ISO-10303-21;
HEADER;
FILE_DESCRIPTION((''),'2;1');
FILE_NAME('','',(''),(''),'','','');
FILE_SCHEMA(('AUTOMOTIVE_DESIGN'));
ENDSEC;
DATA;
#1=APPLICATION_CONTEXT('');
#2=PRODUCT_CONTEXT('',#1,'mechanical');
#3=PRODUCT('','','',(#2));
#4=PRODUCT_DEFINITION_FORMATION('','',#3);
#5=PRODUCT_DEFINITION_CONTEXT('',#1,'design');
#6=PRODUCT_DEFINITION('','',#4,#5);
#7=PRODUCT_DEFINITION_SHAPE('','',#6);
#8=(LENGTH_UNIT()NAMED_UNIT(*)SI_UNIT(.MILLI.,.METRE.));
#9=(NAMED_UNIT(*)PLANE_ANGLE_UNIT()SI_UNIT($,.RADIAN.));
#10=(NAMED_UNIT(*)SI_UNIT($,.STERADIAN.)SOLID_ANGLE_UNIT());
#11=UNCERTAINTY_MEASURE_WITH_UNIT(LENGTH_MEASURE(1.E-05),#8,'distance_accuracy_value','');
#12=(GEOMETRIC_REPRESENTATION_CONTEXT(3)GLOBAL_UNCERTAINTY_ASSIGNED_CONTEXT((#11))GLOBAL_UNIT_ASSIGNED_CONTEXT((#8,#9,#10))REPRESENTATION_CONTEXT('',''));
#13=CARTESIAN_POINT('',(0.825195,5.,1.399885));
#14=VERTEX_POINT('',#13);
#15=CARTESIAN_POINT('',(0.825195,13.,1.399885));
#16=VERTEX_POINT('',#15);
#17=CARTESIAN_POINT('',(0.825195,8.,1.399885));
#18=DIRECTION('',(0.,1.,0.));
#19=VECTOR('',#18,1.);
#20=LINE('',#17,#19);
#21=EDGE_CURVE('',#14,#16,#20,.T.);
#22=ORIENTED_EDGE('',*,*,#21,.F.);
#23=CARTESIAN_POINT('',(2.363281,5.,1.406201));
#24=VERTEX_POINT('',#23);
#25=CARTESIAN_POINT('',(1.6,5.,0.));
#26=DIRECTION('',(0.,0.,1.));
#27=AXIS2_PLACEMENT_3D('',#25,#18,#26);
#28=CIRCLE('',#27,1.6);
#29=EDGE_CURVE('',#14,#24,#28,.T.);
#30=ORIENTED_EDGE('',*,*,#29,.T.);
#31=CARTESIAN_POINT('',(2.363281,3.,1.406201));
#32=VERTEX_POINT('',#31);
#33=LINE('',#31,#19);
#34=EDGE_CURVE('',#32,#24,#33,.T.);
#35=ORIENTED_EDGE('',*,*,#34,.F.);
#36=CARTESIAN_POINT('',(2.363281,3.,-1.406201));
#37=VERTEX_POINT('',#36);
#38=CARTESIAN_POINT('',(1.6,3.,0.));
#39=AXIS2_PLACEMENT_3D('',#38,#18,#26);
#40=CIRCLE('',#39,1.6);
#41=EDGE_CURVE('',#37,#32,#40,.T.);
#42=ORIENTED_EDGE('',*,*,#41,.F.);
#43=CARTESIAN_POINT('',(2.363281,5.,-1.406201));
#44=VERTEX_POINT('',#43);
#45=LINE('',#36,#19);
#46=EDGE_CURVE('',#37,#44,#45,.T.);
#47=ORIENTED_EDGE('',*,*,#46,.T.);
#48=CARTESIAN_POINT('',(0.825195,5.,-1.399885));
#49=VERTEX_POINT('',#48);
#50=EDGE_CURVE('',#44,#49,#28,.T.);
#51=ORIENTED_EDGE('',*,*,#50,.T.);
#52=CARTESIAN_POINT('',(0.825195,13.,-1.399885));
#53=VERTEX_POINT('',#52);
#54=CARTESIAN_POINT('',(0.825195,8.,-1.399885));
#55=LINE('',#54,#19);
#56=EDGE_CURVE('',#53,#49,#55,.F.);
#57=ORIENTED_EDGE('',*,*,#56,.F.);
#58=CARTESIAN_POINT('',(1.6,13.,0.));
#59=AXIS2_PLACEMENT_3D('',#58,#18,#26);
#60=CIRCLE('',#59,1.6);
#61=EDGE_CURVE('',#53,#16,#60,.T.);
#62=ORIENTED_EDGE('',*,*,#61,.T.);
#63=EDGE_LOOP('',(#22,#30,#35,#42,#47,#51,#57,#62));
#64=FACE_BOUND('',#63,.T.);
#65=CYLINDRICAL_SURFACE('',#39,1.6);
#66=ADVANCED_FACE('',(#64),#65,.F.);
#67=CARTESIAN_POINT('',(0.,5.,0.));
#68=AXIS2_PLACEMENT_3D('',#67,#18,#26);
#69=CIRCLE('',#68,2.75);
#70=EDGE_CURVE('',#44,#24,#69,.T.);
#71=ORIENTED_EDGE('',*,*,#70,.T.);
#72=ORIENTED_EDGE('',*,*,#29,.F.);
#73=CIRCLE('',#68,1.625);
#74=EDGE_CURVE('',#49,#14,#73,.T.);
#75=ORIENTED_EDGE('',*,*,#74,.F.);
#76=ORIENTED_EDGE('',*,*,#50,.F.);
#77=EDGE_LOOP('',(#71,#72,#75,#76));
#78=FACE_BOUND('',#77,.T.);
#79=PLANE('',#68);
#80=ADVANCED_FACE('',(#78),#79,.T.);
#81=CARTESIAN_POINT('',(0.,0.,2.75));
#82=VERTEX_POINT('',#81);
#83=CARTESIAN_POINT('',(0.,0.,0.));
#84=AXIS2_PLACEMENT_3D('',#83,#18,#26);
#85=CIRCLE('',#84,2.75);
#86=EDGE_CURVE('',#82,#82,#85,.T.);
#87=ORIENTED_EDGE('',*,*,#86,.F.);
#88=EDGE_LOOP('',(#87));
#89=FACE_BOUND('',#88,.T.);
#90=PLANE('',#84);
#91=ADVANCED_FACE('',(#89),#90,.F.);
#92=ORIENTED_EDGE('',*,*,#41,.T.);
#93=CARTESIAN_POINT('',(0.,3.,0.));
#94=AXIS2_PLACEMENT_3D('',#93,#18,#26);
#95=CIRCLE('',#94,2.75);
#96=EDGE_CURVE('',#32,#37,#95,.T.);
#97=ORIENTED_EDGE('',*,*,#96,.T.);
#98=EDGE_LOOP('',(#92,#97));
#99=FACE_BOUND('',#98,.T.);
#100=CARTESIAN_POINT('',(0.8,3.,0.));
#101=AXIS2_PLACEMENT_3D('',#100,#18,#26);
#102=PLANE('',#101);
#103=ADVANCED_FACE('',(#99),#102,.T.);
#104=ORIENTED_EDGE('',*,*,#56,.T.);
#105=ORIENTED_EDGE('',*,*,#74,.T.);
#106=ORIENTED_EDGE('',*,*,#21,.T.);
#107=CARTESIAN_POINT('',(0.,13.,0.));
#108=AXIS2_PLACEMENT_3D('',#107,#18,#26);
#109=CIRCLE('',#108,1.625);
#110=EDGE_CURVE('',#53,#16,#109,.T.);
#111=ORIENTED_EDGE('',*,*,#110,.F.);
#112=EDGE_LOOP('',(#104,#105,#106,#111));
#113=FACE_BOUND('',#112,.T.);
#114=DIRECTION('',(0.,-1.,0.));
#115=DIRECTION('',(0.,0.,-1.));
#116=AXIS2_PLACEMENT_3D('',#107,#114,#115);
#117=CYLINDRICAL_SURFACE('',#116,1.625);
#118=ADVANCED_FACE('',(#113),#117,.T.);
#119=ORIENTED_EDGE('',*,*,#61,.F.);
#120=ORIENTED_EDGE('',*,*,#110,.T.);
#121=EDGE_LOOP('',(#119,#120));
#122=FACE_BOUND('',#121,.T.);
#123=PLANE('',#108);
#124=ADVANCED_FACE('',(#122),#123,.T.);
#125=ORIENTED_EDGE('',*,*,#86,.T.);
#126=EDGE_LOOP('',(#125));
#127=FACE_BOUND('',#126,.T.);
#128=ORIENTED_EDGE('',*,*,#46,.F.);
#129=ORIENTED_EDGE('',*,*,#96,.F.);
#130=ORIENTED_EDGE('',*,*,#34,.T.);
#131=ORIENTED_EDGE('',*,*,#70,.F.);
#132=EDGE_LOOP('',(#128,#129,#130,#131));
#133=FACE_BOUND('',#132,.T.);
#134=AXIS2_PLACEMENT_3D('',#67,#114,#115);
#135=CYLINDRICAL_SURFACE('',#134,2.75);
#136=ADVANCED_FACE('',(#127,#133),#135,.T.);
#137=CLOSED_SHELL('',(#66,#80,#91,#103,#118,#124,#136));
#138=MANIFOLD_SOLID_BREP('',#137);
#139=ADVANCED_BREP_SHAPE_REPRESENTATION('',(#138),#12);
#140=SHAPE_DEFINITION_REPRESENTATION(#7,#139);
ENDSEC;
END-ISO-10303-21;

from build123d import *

# Parameters (mm, degrees)
SKETCH1_R           = 2.75
SKETCH1_R_2         = 1.625
BOSS_EXTRUDE1_DEPTH = 5
SKETCH1_4_R         = 1.625
BOSS_EXTRUDE3_DEPTH = 13
CUT_EXTRUDE3_START  = 13
SKETCH1_6_R         = 1.6
CUT_EXTRUDE3_DEPTH  = 10


with BuildPart() as part:
    # Sketch1 → Boss-Extrude1 (new body)
    with BuildSketch(Plane(origin=(0, 0, 0), x_dir=(1, 0, 0), z_dir=(0, 1, 0))):
        Circle(SKETCH1_R)
        Circle(SKETCH1_R_2, mode=Mode.SUBTRACT)
    extrude(amount=BOSS_EXTRUDE1_DEPTH)

    # Sketch1<4> → Boss-Extrude3 (add)
    with BuildSketch(Plane(origin=(0, 0, 0), x_dir=(1, 0, 0), z_dir=(0, 1, 0))):
        Circle(SKETCH1_4_R)
    extrude(amount=BOSS_EXTRUDE3_DEPTH)

    # Sketch1<6> → Cut-Extrude3 (cut)
    with BuildSketch(Plane(origin=(0, 0, 0), x_dir=(1, 0, 0), z_dir=(0, 1, 0)).offset(CUT_EXTRUDE3_START)):
        with Locations((1.6, 0)):
            Circle(SKETCH1_6_R)
    extrude(amount=-CUT_EXTRUDE3_DEPTH, mode=Mode.SUBTRACT)


solid = part.part
